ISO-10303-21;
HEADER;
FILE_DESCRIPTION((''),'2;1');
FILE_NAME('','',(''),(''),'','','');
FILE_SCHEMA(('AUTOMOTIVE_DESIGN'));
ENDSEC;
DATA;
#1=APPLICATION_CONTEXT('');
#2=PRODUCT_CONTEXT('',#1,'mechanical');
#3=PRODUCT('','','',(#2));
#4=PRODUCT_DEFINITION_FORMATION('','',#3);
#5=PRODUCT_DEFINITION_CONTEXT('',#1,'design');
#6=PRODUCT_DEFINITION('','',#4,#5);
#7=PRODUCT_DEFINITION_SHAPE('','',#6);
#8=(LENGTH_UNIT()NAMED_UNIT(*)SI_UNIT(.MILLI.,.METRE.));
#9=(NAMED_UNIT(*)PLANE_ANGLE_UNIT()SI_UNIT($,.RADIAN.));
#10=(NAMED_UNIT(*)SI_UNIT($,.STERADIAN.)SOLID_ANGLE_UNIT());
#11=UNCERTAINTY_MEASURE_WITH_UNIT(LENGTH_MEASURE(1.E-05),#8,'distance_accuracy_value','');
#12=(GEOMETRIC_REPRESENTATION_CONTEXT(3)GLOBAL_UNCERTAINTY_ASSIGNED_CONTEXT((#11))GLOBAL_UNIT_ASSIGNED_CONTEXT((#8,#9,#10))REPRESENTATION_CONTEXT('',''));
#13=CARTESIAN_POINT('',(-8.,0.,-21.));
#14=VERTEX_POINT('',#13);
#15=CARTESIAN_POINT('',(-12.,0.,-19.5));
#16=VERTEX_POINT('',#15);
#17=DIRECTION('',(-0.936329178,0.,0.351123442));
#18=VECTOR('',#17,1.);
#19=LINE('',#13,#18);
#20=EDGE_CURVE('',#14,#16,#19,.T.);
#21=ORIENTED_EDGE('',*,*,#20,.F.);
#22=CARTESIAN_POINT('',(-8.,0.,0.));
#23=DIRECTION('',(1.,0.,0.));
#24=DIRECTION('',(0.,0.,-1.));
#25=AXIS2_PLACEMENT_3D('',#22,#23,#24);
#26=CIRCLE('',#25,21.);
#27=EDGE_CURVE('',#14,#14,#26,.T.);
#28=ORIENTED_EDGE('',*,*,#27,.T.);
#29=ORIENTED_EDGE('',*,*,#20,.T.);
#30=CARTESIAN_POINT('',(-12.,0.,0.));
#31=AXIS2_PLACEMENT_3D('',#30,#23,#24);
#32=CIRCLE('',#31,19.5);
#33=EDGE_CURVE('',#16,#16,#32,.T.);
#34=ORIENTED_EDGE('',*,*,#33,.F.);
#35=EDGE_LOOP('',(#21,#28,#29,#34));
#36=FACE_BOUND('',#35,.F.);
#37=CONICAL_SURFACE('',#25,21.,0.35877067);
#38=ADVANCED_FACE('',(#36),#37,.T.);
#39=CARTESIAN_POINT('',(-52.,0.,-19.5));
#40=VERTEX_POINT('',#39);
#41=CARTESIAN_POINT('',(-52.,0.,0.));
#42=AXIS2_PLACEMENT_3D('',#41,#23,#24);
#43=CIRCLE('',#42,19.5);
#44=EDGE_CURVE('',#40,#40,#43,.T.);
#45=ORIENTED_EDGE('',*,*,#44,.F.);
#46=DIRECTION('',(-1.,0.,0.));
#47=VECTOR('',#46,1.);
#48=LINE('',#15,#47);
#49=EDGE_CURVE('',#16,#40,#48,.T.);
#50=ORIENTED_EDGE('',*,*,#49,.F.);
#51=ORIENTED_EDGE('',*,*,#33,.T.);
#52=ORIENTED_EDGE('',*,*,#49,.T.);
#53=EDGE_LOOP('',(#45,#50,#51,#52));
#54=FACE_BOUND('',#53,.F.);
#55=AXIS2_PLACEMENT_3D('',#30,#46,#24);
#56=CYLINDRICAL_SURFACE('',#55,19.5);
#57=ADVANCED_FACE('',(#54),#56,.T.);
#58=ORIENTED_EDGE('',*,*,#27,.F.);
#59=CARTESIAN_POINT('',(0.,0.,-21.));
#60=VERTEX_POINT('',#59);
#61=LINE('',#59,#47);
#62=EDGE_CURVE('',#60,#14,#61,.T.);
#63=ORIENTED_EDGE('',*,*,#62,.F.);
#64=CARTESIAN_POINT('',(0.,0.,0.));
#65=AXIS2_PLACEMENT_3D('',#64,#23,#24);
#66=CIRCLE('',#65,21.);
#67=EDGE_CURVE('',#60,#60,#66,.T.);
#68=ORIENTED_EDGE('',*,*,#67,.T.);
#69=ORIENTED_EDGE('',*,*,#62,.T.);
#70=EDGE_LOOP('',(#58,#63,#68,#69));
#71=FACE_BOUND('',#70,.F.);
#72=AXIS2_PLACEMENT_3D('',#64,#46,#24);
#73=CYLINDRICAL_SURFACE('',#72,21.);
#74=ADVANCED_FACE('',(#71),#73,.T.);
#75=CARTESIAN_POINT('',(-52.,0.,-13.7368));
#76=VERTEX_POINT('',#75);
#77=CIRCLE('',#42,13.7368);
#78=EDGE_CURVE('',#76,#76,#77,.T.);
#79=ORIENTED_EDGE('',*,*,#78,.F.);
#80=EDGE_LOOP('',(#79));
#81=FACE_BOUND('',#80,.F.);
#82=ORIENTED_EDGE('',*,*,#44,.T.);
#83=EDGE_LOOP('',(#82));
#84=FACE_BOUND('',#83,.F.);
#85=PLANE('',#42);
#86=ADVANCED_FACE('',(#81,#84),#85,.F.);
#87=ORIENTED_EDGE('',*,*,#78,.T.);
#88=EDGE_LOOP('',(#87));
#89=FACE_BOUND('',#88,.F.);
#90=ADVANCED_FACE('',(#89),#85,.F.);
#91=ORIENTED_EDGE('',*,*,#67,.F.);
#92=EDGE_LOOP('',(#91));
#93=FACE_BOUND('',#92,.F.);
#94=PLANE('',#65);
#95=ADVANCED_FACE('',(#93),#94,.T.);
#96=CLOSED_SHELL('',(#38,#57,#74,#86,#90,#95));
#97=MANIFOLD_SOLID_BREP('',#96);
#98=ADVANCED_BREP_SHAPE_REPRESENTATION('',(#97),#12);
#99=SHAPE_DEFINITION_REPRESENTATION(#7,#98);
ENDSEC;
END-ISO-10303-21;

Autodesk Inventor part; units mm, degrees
ref_plane "YZ Plane" through (0, 0, 0) normal (1, 0, 0) x (0, 1, 0)
sketch "Skizze1" plane through (0, 0, 0) normal (0, 1, 0) x (-1, 0, 0)
  line L0 (0, 0) -> (0, -21)
  line L1 (0, -21) -> (8, -21)
  line L2 (8, -21) -> (12, -19.5)
  line L3 (12, -19.5) -> (52, -19.5)
  line L4 (52, -19.5) -> (52, -13.7368)
  line L5 (52, -13.7368) -> (52, -13.7368)
  line L6 (52, -13.7368) -> (52, 0)
  line L7 (52, 0) -> (0, 0)
  dimension "d0" = 21
  dimension "d1" = 8
  dimension "d2" = 52
  dimension "d3" = 12
  dimension "d4" = 19.5
  dimension "d5" = 0
revolve "Umdrehung1" add sketch "Skizze1" angle 360 about axis through (-52, 0, 0) along (1, 0, 0)
ref_plane "Arbeitsebene1" through (0, 0, 0) normal (0, 1, 0) x (-1, 0, 0)
ref_plane "Arbeitsebene2" through (0, 0, 0) normal (0, 0, 1) x (1, 0, 0)
properties part number "00_Berrybase_CCTVLens_50mm"
